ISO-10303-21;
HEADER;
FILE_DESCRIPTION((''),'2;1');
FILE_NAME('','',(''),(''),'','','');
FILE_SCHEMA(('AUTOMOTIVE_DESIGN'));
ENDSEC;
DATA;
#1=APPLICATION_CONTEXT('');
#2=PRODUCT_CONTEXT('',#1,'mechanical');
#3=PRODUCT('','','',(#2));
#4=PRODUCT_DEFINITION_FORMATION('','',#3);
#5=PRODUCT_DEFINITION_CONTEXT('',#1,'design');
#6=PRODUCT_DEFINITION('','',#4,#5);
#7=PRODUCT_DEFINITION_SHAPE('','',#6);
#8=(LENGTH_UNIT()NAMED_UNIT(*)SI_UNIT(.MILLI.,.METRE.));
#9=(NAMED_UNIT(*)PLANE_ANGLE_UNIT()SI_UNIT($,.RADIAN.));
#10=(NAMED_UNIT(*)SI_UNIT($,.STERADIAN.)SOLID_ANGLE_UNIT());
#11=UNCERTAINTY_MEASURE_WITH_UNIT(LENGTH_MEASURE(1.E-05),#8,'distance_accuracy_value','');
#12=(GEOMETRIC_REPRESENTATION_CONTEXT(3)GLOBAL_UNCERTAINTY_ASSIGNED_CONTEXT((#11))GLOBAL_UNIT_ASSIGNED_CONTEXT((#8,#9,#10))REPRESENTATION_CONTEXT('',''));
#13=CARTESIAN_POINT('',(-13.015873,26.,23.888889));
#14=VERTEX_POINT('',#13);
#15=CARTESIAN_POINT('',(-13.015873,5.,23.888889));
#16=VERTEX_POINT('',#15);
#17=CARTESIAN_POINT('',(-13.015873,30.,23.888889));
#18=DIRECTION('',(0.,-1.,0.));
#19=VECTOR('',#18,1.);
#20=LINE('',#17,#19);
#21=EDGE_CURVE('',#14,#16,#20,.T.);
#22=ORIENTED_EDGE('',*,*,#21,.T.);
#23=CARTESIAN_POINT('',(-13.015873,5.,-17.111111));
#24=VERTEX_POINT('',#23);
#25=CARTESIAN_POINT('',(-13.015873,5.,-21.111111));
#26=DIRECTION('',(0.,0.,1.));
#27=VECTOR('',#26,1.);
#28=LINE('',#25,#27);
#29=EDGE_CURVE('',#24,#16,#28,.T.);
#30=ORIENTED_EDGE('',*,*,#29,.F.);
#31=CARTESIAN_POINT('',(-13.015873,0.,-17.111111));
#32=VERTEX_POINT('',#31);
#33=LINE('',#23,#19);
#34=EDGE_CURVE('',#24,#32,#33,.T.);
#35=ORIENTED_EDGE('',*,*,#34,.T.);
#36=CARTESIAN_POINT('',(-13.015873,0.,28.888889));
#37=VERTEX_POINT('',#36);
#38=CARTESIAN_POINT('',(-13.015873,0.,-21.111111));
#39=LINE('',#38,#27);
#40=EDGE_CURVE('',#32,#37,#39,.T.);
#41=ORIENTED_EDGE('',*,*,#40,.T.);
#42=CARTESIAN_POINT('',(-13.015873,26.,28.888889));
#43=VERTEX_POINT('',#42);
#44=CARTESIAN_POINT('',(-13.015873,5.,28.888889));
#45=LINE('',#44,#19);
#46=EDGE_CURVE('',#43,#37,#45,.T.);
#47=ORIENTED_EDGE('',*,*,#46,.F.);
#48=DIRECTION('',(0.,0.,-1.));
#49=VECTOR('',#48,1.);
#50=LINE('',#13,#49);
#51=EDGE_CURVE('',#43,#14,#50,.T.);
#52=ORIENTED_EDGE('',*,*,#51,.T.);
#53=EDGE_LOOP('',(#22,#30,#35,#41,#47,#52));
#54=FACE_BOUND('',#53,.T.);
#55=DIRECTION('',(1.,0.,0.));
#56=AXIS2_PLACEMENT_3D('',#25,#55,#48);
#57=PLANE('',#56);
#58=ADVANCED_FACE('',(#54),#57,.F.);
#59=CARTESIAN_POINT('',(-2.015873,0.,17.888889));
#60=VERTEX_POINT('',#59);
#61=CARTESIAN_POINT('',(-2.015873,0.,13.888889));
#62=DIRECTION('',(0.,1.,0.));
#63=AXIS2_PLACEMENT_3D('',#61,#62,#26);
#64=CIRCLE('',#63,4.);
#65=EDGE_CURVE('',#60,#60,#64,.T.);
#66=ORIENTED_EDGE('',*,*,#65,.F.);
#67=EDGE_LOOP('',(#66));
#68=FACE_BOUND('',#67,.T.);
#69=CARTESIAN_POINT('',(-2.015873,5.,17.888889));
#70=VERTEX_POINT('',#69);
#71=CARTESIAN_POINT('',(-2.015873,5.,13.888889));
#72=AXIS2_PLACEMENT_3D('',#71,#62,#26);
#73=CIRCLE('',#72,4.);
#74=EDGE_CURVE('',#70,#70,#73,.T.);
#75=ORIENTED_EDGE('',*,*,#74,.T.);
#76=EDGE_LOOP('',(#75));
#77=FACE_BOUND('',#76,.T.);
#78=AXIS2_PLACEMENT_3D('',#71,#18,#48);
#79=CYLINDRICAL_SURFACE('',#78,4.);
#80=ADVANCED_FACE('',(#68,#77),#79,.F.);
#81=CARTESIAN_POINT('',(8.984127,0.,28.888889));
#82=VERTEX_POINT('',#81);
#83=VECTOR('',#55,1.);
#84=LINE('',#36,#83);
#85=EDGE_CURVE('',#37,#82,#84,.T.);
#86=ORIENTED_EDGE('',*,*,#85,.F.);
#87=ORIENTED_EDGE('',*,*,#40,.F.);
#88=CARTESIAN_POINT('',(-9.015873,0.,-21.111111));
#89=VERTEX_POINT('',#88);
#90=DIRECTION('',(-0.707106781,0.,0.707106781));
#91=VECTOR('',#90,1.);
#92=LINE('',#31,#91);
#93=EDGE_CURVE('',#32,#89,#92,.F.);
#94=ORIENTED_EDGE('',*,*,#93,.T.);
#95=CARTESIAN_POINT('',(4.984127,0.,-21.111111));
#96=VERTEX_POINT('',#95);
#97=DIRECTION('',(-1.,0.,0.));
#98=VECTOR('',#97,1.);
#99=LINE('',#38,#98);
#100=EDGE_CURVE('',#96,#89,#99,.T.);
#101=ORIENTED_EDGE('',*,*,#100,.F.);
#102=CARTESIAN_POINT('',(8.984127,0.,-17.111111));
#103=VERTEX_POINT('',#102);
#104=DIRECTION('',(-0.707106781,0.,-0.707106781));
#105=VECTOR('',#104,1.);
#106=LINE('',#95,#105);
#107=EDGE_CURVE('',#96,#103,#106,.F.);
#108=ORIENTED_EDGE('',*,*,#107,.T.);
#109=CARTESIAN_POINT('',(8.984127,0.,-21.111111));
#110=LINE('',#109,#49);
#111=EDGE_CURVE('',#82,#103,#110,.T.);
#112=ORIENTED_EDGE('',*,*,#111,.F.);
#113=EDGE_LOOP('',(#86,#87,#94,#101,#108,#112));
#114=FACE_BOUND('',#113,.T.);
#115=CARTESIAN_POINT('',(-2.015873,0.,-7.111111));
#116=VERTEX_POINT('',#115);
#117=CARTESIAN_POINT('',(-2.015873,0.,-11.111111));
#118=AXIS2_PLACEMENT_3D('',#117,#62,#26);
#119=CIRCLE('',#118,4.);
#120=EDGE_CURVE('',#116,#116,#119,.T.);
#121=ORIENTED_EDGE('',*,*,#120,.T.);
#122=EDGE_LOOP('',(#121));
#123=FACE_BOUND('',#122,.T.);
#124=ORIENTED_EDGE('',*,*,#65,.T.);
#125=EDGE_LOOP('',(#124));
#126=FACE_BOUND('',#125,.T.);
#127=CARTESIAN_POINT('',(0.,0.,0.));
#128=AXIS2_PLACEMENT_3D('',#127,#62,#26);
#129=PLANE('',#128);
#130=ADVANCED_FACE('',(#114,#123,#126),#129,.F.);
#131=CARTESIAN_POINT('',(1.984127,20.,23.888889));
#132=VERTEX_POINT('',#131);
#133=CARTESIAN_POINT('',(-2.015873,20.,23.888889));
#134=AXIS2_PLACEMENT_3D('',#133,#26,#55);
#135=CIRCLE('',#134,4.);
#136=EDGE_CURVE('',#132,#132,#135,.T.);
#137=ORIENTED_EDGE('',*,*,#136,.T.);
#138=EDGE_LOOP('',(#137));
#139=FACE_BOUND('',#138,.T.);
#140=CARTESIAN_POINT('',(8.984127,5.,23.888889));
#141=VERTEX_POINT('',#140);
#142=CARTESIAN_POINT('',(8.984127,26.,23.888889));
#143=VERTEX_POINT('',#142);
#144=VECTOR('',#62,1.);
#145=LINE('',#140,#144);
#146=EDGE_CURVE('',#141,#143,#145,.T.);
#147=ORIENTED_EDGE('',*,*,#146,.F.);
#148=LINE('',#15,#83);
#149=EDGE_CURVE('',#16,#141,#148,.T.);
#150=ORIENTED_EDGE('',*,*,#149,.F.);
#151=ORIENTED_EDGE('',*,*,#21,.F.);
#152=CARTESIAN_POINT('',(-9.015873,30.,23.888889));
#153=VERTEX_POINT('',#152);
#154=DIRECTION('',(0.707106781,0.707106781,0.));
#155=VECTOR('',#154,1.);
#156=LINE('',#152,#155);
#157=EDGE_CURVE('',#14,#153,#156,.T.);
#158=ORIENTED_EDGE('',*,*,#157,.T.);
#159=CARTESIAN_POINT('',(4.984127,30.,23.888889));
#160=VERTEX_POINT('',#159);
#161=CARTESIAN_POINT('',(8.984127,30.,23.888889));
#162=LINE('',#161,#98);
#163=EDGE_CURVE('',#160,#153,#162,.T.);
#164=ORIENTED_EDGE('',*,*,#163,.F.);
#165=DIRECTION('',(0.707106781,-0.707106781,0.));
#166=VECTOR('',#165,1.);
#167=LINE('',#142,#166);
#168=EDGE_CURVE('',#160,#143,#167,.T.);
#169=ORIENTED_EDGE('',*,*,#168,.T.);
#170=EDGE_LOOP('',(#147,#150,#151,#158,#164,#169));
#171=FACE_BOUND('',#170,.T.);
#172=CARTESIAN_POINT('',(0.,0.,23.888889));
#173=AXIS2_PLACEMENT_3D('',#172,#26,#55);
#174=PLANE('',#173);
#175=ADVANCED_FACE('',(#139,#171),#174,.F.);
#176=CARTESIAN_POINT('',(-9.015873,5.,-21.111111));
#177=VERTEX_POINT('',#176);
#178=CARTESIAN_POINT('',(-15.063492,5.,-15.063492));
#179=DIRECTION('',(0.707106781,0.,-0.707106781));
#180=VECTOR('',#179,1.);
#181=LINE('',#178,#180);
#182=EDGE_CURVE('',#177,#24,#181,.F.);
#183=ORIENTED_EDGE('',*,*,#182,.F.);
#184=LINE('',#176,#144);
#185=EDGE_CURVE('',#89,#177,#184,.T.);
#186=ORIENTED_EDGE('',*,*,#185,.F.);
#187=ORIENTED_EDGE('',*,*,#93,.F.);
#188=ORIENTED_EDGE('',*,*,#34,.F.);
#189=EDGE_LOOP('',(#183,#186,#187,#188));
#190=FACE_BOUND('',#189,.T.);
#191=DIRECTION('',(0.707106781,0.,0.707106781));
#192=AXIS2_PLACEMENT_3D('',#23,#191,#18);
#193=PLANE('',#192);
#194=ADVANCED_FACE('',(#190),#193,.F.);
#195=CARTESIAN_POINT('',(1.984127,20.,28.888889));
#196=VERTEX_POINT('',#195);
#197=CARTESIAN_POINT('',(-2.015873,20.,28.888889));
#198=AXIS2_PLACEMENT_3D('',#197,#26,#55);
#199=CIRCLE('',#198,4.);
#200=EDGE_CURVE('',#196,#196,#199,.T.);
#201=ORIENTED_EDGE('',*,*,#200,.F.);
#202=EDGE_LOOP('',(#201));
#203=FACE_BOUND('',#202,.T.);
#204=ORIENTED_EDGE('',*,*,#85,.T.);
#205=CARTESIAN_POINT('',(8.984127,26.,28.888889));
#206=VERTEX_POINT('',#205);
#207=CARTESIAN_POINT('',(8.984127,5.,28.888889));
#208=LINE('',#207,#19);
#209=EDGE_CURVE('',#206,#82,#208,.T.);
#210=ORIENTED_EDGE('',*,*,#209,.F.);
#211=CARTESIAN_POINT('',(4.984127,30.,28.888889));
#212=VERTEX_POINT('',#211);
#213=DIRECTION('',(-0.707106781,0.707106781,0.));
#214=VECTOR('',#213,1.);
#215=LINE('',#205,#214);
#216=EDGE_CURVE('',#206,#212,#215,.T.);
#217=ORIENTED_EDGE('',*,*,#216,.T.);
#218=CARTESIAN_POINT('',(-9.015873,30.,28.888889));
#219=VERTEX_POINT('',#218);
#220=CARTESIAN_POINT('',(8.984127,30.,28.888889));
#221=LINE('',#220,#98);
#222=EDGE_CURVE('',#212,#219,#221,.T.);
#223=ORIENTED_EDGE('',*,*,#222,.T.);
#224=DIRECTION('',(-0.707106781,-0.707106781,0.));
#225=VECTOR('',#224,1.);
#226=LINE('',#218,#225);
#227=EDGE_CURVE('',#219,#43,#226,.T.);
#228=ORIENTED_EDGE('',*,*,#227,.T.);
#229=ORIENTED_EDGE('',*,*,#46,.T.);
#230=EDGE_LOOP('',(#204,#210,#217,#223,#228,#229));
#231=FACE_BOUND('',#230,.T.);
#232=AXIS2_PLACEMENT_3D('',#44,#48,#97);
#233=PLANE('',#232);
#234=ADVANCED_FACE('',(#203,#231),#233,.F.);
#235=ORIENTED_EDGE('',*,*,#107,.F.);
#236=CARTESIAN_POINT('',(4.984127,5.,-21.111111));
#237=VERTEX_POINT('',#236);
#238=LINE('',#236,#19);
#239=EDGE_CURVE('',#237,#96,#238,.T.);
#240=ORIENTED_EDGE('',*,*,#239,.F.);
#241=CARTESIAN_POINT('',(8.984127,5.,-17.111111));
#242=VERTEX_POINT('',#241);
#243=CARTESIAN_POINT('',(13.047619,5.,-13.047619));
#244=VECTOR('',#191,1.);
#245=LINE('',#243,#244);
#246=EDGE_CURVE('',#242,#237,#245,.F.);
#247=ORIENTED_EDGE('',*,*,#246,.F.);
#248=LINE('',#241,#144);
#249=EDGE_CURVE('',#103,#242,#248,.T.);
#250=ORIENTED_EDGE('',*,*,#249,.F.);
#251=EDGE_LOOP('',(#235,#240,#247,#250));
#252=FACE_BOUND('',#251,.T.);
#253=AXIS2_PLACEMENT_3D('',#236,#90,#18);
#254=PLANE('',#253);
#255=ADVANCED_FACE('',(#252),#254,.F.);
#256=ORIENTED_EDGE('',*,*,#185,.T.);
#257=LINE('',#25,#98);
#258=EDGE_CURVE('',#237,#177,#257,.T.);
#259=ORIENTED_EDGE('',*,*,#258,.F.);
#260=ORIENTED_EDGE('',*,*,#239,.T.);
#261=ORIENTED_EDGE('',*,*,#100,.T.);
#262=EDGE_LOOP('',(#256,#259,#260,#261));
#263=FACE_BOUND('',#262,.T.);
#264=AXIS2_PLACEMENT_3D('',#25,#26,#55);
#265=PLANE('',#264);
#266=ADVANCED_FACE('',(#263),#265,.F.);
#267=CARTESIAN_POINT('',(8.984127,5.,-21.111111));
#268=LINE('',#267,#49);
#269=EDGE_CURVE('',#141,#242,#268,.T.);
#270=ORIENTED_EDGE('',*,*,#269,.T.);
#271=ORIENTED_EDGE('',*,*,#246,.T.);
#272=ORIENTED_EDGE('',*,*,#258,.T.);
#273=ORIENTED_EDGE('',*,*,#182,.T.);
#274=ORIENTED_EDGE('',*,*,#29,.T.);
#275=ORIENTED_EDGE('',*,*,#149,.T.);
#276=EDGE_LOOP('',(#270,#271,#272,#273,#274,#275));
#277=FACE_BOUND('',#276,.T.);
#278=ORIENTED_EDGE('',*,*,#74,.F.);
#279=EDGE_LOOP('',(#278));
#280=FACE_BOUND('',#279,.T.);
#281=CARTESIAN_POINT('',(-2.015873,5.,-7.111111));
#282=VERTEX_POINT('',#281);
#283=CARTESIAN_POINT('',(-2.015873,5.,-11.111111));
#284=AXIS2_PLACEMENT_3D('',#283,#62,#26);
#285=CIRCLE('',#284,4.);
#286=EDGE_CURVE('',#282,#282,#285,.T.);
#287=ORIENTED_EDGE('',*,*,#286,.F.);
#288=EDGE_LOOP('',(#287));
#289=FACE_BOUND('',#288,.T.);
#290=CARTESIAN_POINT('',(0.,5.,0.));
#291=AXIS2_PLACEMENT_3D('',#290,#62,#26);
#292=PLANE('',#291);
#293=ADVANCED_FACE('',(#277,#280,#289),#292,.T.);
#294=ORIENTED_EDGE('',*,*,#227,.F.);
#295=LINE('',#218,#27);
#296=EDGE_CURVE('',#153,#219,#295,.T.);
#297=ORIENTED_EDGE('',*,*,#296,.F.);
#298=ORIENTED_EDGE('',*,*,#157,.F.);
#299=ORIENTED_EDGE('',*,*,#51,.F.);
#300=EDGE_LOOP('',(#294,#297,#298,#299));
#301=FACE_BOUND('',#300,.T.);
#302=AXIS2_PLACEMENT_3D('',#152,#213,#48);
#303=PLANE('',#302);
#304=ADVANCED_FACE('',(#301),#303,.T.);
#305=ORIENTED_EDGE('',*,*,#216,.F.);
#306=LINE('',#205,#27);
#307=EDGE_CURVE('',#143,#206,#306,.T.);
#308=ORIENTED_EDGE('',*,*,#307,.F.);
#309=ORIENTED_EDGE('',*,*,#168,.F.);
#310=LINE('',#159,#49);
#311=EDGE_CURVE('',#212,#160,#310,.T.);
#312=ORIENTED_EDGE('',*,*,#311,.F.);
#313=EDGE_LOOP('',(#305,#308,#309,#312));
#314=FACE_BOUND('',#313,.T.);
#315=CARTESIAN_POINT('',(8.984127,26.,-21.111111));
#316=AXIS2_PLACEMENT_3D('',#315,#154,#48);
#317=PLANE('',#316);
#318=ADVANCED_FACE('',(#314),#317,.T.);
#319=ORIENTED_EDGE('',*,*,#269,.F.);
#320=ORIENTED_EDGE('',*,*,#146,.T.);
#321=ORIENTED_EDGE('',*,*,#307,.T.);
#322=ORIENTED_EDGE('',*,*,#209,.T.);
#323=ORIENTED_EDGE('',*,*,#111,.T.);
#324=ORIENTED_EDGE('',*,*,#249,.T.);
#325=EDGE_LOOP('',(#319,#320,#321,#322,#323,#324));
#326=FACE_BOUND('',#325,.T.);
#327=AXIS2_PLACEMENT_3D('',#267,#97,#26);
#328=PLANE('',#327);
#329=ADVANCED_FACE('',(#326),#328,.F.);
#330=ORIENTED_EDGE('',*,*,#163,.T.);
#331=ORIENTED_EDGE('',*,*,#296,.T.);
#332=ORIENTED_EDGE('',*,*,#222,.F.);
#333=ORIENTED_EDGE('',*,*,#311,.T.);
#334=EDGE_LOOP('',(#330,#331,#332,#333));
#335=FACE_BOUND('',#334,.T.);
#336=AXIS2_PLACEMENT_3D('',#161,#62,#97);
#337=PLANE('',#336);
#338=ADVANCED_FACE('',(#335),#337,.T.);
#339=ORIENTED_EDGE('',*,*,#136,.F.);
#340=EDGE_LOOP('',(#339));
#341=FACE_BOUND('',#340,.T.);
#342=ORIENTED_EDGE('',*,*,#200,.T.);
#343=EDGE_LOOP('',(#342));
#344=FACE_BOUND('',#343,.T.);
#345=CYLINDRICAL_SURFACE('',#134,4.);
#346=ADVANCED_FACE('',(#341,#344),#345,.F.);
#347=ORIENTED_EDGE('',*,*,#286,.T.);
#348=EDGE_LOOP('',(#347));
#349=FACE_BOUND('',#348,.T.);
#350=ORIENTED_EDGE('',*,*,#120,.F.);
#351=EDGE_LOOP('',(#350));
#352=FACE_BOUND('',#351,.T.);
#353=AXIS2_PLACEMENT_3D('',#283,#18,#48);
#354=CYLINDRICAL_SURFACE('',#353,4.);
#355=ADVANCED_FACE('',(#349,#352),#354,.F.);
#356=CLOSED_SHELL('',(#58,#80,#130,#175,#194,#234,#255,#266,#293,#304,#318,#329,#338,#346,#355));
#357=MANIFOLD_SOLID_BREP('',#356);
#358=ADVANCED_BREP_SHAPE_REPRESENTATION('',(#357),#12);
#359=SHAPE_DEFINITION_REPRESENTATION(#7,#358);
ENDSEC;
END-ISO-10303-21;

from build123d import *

# Parameters (mm, degrees)
SKETCH_1_W      = 22
SKETCH_1_H      = 50
SKETCH_1_R      = 4
EXTRUDE_1_DEPTH = 5
SKETCH_2_W      = 22
SKETCH_2_H      = 25
SKETCH_2_R      = 4
EXTRUDE_2_DEPTH = 5
CHAMFER_1_SIZE  = 4


with BuildPart() as part:
    # 草图1 → 凸台-拉伸1 (new body)
    with BuildSketch(Plane(origin=(0, 0, 0), x_dir=(1, 0, 0), z_dir=(0, 1, 0))):
        with Locations((-2.015873016, -3.888888889)):
            Rectangle(SKETCH_1_W, SKETCH_1_H)
        with Locations(Location((-2.015873016, 11.111111111, 0), (0, 0, 270))):
            Circle(SKETCH_1_R, mode=Mode.SUBTRACT)
        with Locations(Location((-2.015873016, -13.888888889, 0), (0, 0, 270))):
            Circle(SKETCH_1_R, mode=Mode.SUBTRACT)
    extrude(amount=EXTRUDE_1_DEPTH)

    # 草图2 → 凸台-拉伸2 (add)
    with BuildSketch(Plane.XY.offset(28.888888889)):
        with Locations((-2.015873016, 17.5)):
            Rectangle(SKETCH_2_W, SKETCH_2_H)
        with Locations((-2.015873016, 20)):
            Circle(SKETCH_2_R, mode=Mode.SUBTRACT)
    extrude(amount=-EXTRUDE_2_DEPTH)

    # 倒角1
    chamfer_1_edges = [part.edges().sort_by_distance(p)[0] for p in [
        (-13.015873016, 30, 26.388888889),
        (8.984126984, 30, 26.388888889),
        (-13.015873016, 2.5, -21.111111111),
        (8.984126984, 2.5, -21.111111111),
    ]]
    chamfer(chamfer_1_edges, length=CHAMFER_1_SIZE)


solid = part.part
